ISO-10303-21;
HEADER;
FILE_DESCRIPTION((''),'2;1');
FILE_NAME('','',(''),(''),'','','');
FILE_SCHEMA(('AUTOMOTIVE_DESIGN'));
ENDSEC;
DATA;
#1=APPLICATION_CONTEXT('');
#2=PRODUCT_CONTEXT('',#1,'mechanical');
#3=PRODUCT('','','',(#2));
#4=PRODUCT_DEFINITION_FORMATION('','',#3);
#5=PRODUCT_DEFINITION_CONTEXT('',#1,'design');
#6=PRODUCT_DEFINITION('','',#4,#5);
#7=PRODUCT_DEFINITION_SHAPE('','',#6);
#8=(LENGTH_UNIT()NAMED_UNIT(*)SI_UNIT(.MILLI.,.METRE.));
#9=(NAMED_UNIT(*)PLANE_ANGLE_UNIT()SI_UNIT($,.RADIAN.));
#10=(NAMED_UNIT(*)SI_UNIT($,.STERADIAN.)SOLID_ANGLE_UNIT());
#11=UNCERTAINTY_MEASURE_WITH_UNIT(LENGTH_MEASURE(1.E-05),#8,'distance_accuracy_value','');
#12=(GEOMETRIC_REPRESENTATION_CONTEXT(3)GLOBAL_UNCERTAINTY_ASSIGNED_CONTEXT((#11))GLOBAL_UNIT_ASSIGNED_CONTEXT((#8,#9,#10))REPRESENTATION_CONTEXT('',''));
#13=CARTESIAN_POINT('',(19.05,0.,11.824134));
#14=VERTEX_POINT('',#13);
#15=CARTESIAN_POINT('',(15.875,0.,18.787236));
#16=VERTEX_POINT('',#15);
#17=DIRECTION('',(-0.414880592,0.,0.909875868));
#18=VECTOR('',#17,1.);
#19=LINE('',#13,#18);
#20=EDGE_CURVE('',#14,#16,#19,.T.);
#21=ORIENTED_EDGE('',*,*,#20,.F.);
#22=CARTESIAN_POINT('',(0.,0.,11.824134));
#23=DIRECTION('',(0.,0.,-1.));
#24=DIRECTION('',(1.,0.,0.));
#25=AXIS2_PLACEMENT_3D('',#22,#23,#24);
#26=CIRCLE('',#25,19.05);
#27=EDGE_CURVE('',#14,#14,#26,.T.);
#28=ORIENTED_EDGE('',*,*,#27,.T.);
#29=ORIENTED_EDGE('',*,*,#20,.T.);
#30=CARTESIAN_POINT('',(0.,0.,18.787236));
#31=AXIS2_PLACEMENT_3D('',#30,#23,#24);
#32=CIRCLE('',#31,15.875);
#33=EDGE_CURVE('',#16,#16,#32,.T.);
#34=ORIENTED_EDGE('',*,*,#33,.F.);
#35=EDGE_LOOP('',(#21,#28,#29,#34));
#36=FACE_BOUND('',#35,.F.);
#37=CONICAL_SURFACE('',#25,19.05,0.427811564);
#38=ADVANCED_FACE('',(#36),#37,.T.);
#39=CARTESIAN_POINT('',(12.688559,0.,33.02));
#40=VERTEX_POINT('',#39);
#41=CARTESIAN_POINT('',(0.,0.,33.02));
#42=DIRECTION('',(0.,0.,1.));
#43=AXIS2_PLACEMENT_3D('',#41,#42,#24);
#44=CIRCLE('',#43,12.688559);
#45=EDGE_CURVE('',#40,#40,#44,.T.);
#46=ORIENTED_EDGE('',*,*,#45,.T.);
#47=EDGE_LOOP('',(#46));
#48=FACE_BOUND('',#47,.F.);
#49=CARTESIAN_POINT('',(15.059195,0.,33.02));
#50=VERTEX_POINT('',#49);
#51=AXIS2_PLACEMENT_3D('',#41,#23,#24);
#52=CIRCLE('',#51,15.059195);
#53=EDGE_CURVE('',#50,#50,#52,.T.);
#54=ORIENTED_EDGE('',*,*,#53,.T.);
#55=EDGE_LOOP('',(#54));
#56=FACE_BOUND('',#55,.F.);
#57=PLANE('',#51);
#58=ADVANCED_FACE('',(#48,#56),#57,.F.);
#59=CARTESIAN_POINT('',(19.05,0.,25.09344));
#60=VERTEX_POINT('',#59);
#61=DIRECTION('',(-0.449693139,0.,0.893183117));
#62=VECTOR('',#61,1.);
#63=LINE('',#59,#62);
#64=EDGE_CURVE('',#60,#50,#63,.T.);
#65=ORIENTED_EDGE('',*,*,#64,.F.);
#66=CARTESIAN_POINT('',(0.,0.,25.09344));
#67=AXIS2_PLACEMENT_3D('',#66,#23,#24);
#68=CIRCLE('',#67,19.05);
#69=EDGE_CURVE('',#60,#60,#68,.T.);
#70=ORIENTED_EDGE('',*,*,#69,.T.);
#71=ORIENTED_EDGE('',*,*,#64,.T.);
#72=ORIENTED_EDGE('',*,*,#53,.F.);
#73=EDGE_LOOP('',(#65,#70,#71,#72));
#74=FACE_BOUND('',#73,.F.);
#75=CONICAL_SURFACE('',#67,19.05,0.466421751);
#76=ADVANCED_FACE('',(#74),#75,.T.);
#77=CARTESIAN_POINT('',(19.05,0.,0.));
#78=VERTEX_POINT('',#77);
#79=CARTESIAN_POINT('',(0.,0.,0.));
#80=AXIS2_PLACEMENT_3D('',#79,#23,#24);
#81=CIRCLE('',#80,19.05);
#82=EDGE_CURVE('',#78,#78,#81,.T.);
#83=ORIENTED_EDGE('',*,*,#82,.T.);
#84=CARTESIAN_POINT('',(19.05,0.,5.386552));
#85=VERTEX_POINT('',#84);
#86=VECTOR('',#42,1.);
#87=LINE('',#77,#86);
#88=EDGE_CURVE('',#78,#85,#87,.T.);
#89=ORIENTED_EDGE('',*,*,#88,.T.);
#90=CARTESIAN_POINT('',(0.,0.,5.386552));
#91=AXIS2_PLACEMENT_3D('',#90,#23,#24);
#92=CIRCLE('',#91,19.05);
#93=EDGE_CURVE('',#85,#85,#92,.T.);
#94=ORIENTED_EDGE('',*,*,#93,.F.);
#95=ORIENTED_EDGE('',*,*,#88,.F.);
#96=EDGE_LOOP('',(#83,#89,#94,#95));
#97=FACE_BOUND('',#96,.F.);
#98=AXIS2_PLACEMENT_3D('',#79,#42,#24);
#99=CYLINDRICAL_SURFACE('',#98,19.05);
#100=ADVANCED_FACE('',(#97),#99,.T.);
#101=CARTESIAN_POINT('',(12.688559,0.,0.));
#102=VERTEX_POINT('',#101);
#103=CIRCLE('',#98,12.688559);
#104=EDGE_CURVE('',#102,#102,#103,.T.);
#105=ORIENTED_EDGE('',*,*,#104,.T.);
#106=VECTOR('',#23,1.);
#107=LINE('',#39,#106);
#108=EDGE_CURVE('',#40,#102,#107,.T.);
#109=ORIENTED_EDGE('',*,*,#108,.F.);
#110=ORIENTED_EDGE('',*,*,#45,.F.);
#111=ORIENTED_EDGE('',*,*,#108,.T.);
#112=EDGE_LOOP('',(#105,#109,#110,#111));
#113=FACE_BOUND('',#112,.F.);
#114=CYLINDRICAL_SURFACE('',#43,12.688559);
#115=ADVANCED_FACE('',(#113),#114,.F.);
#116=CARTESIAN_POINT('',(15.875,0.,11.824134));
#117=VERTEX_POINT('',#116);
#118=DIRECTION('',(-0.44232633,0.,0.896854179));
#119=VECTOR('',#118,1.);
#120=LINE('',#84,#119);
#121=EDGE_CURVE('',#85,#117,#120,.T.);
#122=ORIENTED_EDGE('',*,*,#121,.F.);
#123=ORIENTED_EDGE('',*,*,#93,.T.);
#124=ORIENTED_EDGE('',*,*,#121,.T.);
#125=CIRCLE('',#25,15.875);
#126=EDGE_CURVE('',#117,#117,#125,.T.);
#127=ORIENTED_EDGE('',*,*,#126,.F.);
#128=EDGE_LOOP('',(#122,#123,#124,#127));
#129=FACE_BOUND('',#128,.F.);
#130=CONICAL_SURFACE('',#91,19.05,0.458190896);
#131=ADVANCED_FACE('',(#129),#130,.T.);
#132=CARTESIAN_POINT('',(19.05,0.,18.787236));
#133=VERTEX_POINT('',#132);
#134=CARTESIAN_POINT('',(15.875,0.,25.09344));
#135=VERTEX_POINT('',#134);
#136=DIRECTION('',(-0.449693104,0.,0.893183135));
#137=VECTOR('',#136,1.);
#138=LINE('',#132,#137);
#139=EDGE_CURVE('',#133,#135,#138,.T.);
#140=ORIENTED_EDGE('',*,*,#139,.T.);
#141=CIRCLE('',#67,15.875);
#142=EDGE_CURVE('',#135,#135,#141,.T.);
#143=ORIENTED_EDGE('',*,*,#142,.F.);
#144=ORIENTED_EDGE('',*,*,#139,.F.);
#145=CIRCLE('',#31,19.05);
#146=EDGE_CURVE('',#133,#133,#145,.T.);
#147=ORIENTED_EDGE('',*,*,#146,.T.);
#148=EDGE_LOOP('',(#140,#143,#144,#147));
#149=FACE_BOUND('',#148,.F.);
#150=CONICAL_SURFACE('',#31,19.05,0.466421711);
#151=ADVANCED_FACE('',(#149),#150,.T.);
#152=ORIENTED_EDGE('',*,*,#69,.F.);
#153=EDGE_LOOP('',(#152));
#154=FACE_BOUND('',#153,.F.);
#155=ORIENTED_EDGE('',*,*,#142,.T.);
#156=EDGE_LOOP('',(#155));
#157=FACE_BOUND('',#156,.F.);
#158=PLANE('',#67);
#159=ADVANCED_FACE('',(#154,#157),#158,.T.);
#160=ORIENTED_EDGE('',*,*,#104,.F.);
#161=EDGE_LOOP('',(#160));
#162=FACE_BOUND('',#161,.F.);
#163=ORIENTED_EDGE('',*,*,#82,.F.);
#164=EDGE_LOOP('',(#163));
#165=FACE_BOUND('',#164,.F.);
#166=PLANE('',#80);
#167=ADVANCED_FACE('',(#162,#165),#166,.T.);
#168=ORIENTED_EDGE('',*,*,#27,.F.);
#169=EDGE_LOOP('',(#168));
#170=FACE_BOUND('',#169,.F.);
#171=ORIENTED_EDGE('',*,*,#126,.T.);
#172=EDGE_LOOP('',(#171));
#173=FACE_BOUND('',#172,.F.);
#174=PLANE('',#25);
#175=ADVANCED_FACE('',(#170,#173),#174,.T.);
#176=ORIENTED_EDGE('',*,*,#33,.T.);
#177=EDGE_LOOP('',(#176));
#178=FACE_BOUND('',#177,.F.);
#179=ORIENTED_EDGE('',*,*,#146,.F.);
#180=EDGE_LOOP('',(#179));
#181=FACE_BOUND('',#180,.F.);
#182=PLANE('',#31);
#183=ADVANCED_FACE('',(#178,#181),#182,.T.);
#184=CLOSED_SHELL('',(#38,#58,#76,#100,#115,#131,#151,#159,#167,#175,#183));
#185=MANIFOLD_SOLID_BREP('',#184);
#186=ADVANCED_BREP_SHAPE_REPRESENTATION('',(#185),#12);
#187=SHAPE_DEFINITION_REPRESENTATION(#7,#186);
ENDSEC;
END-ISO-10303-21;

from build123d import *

# Parameters (mm, degrees)
F2_R     = 12.688559
F3_DEPTH = 33.02


with BuildPart() as f1:
    # F0 (on Front) → F1 (revolve)
    with BuildSketch(Plane.XZ):
        Polygon((0, 33.02), (0, 0), (19.05, 0), (19.05, 5.386552), (15.875, 11.824134), (19.05, 11.824134), (15.875, 18.787236), (19.05, 18.787236), (15.875, 25.09344), (19.05, 25.09344), (15.059195, 33.02), align=None)
    revolve(axis=Axis((0, 0, 16.51), (0, 0, -1)))

    # F2 (on face) → F3 (cut, through all)
    with BuildSketch(Plane.XY.offset(33.02)):
        Circle(F2_R)
    extrude(amount=-F3_DEPTH, mode=Mode.SUBTRACT)


solid = f1.part
